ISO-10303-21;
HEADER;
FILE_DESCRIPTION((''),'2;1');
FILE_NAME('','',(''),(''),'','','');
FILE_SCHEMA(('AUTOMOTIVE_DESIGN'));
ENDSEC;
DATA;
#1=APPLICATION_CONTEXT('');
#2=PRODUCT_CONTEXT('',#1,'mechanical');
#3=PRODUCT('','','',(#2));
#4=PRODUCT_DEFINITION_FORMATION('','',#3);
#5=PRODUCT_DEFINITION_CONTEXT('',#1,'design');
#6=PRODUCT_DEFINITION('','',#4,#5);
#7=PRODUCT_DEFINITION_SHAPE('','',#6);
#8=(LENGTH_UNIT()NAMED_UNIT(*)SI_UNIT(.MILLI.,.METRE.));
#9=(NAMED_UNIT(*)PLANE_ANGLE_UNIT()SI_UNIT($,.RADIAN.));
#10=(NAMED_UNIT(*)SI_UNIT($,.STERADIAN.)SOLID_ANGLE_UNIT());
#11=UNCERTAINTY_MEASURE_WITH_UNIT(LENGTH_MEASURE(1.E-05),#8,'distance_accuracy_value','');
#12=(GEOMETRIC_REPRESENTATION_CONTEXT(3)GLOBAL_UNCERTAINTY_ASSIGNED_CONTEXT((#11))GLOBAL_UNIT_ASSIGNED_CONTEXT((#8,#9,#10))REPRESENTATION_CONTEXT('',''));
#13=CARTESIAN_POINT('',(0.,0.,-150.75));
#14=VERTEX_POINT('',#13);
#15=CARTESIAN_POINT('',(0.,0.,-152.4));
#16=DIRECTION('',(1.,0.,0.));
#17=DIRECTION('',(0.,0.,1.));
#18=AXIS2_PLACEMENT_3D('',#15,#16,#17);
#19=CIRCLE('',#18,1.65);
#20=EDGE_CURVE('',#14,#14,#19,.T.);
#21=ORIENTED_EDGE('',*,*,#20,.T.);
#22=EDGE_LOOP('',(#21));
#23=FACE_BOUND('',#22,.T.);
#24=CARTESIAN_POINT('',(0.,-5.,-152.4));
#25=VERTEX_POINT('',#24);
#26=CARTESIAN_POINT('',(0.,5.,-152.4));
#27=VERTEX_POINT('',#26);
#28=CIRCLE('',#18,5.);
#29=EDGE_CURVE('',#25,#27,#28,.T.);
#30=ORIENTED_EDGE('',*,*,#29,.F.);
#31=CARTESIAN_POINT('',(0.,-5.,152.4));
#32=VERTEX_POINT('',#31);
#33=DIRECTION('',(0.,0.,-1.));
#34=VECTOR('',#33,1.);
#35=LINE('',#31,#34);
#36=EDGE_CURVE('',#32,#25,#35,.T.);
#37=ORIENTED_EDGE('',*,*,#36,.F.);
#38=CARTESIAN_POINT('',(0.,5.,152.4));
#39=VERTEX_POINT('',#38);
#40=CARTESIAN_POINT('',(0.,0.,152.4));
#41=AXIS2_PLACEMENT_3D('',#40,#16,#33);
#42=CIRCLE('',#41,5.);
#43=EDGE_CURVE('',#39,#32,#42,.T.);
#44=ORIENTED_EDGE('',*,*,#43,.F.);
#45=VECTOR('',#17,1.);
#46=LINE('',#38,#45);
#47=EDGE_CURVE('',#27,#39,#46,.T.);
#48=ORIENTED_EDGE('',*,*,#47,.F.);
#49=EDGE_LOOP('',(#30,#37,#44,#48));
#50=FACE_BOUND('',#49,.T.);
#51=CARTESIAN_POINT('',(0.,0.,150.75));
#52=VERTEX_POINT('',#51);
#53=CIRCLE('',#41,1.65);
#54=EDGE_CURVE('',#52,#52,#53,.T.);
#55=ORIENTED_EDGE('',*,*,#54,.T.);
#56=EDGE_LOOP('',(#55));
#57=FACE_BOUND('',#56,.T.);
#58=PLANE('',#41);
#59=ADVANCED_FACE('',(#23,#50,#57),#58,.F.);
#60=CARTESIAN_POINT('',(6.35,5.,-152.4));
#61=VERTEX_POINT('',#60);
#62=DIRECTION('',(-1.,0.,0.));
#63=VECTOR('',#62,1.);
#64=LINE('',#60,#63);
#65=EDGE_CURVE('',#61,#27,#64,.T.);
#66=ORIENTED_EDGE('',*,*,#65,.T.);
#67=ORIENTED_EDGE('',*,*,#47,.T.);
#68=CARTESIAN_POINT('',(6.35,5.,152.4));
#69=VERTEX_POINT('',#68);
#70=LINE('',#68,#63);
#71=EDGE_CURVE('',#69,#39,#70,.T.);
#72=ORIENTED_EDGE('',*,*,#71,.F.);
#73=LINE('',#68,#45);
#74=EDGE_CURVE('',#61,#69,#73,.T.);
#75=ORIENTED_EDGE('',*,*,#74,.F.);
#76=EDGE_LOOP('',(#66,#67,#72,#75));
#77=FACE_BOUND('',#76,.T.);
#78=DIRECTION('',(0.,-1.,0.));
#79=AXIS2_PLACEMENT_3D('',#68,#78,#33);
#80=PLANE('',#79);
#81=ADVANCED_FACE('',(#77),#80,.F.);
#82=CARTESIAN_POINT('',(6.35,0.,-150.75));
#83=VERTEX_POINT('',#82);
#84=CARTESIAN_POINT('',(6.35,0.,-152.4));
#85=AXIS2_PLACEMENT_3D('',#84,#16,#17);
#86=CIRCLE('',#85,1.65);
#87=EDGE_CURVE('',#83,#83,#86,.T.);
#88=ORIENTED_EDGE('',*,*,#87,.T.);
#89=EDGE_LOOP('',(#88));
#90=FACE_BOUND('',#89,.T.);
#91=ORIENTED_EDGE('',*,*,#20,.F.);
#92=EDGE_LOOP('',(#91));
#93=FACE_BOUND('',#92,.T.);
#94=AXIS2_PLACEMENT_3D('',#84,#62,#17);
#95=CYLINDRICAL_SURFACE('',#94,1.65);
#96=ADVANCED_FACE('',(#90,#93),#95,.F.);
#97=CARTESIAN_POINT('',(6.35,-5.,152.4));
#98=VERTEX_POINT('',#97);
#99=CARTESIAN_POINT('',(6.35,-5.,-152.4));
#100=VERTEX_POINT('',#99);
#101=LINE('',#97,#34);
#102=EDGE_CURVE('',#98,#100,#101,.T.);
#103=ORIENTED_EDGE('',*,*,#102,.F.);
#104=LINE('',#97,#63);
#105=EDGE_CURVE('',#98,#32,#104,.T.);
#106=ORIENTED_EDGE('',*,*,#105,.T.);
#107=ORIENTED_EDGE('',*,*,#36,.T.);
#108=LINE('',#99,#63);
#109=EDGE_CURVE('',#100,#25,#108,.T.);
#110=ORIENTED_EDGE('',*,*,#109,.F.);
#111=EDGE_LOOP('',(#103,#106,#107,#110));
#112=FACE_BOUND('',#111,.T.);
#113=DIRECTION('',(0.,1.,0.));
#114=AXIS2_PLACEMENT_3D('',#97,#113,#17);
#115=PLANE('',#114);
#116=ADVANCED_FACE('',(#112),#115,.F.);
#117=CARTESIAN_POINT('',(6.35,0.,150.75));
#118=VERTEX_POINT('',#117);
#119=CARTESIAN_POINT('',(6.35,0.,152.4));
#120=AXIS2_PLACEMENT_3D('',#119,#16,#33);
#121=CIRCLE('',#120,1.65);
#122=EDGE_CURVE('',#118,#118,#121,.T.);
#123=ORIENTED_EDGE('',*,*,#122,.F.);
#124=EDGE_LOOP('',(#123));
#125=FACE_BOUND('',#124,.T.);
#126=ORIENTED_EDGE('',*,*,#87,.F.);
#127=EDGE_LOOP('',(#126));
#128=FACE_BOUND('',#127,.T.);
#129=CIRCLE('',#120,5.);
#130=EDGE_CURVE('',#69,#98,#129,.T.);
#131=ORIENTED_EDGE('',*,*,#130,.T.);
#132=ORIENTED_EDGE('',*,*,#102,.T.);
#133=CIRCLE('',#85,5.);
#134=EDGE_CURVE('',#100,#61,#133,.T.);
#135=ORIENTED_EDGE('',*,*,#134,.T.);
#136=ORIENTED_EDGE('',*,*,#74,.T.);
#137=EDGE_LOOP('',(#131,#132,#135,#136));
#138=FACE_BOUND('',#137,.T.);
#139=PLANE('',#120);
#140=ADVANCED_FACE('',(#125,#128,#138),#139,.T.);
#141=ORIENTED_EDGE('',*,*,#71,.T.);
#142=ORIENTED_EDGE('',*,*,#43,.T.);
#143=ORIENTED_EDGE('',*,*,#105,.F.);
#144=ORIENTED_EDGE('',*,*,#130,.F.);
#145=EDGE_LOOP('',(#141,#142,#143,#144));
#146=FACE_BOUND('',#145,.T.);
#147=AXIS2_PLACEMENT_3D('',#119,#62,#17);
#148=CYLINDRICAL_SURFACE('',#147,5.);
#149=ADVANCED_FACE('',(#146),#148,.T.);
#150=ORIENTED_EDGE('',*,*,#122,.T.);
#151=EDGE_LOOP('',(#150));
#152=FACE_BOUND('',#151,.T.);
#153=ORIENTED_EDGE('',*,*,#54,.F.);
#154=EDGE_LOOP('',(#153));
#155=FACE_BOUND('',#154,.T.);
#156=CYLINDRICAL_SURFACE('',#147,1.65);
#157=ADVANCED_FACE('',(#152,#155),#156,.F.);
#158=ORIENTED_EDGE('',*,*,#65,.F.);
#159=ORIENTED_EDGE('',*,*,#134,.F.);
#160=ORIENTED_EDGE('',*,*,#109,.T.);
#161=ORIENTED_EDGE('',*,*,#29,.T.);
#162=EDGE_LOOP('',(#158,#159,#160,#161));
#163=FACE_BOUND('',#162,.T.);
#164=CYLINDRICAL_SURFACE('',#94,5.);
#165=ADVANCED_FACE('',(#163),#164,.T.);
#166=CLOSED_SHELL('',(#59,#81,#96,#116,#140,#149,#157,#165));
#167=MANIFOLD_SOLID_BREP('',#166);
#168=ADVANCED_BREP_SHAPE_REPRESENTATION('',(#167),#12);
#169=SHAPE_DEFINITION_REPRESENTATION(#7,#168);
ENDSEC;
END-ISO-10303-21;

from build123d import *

# Parameters (mm, degrees)
SKETCH1_R           = 1.65
BOSS_EXTRUDE1_DEPTH = 6.35


with BuildPart() as part:
    # Sketch1 → Boss-Extrude1 (new body)
    with BuildSketch(Plane(origin=(0, 0, 0), x_dir=(0, 0, -1), z_dir=(1, 0, 0))):
        with BuildLine():
            Line((-152.4, 5), (152.4, 5))
            ThreePointArc((152.4, 5), (157.4, 0), (152.4, -5))
            Line((152.4, -5), (-152.4, -5))
            ThreePointArc((-152.4, -5), (-157.4, 0), (-152.4, 5))
        make_face()
        with Locations((-152.4, 0)):
            Circle(SKETCH1_R, mode=Mode.SUBTRACT)
        with Locations(Location((152.4, 0, 0), (0, 0, 180))):
            Circle(SKETCH1_R, mode=Mode.SUBTRACT)
    extrude(amount=BOSS_EXTRUDE1_DEPTH)


solid = part.part
